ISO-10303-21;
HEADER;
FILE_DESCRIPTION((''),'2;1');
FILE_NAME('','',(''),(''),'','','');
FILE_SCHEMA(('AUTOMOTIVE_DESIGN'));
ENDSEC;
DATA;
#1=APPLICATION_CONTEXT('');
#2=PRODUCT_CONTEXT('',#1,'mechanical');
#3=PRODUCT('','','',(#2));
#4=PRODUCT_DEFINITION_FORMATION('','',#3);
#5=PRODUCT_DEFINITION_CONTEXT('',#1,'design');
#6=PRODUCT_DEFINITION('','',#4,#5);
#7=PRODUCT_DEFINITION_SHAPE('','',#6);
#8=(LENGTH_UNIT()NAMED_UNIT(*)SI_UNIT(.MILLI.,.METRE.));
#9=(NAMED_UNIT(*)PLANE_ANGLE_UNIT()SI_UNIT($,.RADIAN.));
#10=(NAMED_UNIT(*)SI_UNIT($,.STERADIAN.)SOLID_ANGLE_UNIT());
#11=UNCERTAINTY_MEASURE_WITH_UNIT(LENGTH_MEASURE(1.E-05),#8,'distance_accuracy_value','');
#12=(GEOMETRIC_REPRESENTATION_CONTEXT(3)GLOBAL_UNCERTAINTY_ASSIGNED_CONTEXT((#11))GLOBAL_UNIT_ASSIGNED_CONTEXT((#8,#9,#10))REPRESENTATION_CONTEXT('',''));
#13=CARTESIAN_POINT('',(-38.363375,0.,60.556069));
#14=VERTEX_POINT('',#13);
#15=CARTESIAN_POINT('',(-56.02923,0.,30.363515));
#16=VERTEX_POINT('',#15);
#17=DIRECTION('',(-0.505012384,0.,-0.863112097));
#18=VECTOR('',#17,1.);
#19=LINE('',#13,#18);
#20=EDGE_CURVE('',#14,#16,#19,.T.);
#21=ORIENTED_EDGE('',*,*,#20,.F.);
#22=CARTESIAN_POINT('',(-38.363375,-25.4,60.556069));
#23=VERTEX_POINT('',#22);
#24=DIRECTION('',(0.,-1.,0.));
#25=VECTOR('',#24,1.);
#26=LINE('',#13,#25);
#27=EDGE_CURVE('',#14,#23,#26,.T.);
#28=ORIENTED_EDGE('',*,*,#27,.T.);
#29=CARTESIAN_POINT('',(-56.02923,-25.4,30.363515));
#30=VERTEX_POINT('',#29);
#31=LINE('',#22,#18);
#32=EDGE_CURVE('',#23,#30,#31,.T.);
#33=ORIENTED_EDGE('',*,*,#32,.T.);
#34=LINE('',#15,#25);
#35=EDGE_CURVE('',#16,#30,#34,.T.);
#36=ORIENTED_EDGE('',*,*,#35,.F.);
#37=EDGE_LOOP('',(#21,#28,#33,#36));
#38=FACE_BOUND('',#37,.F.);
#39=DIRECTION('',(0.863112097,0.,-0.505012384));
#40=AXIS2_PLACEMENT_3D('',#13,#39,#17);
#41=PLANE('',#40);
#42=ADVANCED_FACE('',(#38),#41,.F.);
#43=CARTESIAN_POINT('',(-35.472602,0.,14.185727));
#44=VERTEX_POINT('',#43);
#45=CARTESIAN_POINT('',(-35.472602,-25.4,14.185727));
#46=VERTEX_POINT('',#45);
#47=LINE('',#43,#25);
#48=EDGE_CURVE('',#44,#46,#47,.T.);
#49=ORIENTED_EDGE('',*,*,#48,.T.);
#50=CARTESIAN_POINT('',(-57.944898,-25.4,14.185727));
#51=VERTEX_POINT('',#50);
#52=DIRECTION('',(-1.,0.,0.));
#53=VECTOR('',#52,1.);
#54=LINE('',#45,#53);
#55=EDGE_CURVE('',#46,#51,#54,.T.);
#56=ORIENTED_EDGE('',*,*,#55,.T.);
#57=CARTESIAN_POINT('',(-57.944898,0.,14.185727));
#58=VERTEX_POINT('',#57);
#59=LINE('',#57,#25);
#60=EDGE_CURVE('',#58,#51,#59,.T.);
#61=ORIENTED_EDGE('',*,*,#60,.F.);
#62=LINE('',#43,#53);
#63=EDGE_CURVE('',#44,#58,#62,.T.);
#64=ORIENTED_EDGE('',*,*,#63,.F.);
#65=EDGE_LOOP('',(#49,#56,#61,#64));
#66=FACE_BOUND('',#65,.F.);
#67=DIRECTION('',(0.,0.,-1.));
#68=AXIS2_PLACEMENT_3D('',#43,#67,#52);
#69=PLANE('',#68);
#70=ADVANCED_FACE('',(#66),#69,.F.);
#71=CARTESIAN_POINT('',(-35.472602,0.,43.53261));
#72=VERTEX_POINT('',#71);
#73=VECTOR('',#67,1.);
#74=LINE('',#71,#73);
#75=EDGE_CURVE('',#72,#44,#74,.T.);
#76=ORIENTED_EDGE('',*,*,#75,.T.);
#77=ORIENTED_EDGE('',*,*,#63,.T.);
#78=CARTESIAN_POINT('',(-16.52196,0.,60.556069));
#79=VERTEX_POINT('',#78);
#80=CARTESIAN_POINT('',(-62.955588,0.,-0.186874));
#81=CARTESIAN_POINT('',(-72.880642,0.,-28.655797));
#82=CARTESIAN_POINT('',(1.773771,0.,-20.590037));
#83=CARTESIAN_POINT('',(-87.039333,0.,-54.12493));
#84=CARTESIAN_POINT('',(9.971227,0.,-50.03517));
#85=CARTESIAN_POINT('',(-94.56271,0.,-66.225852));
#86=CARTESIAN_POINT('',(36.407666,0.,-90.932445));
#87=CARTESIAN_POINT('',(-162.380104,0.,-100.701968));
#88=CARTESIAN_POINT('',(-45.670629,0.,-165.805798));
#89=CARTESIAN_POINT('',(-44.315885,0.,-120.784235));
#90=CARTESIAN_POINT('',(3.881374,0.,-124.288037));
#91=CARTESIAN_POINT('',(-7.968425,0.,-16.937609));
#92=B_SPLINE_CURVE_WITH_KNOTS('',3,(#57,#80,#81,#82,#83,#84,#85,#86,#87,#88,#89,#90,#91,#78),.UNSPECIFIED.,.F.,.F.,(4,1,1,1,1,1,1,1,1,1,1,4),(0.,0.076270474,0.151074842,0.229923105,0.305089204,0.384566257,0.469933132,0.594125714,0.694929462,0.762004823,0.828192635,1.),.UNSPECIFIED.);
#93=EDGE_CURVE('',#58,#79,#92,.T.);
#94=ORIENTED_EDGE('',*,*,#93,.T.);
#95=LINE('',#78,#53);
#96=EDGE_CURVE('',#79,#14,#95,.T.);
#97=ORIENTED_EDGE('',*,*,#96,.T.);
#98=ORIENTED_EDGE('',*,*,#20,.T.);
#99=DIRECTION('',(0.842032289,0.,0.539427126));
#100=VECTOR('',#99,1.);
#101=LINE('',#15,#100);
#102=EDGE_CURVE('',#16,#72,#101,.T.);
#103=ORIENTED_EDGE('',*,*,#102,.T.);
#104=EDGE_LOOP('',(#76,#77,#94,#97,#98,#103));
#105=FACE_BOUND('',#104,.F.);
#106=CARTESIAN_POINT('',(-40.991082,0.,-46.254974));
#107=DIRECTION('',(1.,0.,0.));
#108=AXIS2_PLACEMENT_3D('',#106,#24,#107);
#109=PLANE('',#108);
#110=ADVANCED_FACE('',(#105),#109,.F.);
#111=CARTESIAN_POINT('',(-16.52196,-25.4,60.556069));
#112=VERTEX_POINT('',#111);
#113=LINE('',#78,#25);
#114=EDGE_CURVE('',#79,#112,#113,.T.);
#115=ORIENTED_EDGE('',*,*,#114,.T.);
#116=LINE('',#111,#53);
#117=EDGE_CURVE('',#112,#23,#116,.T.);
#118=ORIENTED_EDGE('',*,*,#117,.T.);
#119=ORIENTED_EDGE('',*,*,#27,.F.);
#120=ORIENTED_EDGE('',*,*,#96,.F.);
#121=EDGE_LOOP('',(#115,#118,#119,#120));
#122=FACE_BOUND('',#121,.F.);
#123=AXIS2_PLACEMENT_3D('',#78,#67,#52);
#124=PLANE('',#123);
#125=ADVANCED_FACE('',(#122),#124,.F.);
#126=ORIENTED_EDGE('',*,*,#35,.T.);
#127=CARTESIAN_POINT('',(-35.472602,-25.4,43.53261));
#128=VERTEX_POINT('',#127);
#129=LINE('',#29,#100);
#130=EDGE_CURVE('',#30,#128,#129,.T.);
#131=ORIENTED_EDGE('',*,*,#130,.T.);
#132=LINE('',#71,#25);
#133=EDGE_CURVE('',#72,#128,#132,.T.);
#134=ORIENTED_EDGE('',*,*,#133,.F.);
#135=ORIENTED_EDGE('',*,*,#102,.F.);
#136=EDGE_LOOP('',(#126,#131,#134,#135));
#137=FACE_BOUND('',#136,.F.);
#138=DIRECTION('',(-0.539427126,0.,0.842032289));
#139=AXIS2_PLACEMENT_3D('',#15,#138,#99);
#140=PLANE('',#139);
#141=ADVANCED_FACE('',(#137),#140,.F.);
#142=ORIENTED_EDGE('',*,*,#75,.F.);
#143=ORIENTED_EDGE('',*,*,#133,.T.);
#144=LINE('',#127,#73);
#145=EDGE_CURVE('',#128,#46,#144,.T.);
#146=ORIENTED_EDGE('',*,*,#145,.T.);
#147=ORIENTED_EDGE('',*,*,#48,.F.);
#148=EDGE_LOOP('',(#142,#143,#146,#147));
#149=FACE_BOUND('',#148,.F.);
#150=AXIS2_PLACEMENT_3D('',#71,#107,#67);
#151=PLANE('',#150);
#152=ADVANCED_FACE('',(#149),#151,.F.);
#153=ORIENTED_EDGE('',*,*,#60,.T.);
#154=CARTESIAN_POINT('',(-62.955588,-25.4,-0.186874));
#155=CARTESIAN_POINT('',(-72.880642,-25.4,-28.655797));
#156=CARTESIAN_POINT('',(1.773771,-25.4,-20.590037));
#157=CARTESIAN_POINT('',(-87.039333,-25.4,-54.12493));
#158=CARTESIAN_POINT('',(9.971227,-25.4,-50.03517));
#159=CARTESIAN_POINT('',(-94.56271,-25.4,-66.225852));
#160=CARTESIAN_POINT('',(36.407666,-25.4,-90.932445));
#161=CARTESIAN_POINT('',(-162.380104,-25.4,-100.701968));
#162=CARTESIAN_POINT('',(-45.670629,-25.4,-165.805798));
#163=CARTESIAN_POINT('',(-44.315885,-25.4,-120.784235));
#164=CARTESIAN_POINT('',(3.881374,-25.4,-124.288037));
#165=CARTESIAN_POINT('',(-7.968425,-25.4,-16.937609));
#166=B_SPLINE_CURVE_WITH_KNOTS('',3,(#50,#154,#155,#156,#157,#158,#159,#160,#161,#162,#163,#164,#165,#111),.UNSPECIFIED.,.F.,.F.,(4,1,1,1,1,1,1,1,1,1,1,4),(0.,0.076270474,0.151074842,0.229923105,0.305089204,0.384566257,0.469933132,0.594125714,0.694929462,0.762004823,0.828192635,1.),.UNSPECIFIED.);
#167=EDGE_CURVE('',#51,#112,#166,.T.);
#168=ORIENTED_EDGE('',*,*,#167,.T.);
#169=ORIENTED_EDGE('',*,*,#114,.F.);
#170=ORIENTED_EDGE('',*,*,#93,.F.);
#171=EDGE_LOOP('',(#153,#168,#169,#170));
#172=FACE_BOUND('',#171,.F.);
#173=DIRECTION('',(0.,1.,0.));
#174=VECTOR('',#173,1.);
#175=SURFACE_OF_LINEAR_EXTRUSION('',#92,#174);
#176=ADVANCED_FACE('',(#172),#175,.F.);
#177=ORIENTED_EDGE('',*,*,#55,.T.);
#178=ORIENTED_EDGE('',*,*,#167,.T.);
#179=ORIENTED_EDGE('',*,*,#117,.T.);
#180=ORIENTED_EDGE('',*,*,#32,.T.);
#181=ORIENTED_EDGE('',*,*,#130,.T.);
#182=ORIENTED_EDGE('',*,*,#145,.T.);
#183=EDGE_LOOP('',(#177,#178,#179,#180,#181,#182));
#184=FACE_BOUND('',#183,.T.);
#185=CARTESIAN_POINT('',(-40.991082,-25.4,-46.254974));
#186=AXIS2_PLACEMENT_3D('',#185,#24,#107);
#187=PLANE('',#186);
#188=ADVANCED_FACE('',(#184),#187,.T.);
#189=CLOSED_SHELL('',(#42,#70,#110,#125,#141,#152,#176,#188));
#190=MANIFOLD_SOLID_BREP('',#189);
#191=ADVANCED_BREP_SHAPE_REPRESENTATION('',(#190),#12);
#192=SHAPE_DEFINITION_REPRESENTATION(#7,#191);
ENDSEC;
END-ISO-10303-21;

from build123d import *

# Parameters (mm, degrees)
F1_DEPTH = 25.4


with BuildPart() as f1:
    # F0 (on Front) → F1 (new body)
    with BuildSketch(Plane.XZ):
        with BuildLine():
            add(Edge.make_bspline(
                [(-57.9448975623, 14.1857266426), (-62.9555884356, -0.1868742285), (-72.8806421015, -28.6557974417), (1.7737707091, -20.5900371719), (-87.0393328792, -54.1249299836), (9.9712265036, -50.035169721), (-94.5627096416, -66.2258515112), (36.4076659858, -90.9324453335), (-162.3801041821, -100.701967599), (-45.6706285513, -165.8057982396), (-44.3158848409, -120.7842353949), (3.8813741411, -124.2880369376), (-7.9684253364, -16.9376094282), (-16.5219604969, 60.5560690165)],
                knots=[0, 0, 0, 0, 0.0762704736, 0.1510748415, 0.2299231046, 0.3050892043, 0.3845662572, 0.4699331324, 0.5941257138, 0.6949294618, 0.7620048231, 0.828192635, 1, 1, 1, 1], degree=3))
            Line((-16.5219604969, 60.5560690165), (-38.3633747697, 60.5560690165))
            Line((-38.3633747697, 60.5560690165), (-56.0292303562, 30.3635150194))
            Line((-56.0292303562, 30.3635150194), (-35.4726016521, 43.5326099396))
            Line((-35.4726016521, 43.5326099396), (-35.4726016521, 14.1857266426))
            Line((-35.4726016521, 14.1857266426), (-57.9448975623, 14.1857266426))
        make_face()
    extrude(amount=F1_DEPTH)


solid = f1.part
